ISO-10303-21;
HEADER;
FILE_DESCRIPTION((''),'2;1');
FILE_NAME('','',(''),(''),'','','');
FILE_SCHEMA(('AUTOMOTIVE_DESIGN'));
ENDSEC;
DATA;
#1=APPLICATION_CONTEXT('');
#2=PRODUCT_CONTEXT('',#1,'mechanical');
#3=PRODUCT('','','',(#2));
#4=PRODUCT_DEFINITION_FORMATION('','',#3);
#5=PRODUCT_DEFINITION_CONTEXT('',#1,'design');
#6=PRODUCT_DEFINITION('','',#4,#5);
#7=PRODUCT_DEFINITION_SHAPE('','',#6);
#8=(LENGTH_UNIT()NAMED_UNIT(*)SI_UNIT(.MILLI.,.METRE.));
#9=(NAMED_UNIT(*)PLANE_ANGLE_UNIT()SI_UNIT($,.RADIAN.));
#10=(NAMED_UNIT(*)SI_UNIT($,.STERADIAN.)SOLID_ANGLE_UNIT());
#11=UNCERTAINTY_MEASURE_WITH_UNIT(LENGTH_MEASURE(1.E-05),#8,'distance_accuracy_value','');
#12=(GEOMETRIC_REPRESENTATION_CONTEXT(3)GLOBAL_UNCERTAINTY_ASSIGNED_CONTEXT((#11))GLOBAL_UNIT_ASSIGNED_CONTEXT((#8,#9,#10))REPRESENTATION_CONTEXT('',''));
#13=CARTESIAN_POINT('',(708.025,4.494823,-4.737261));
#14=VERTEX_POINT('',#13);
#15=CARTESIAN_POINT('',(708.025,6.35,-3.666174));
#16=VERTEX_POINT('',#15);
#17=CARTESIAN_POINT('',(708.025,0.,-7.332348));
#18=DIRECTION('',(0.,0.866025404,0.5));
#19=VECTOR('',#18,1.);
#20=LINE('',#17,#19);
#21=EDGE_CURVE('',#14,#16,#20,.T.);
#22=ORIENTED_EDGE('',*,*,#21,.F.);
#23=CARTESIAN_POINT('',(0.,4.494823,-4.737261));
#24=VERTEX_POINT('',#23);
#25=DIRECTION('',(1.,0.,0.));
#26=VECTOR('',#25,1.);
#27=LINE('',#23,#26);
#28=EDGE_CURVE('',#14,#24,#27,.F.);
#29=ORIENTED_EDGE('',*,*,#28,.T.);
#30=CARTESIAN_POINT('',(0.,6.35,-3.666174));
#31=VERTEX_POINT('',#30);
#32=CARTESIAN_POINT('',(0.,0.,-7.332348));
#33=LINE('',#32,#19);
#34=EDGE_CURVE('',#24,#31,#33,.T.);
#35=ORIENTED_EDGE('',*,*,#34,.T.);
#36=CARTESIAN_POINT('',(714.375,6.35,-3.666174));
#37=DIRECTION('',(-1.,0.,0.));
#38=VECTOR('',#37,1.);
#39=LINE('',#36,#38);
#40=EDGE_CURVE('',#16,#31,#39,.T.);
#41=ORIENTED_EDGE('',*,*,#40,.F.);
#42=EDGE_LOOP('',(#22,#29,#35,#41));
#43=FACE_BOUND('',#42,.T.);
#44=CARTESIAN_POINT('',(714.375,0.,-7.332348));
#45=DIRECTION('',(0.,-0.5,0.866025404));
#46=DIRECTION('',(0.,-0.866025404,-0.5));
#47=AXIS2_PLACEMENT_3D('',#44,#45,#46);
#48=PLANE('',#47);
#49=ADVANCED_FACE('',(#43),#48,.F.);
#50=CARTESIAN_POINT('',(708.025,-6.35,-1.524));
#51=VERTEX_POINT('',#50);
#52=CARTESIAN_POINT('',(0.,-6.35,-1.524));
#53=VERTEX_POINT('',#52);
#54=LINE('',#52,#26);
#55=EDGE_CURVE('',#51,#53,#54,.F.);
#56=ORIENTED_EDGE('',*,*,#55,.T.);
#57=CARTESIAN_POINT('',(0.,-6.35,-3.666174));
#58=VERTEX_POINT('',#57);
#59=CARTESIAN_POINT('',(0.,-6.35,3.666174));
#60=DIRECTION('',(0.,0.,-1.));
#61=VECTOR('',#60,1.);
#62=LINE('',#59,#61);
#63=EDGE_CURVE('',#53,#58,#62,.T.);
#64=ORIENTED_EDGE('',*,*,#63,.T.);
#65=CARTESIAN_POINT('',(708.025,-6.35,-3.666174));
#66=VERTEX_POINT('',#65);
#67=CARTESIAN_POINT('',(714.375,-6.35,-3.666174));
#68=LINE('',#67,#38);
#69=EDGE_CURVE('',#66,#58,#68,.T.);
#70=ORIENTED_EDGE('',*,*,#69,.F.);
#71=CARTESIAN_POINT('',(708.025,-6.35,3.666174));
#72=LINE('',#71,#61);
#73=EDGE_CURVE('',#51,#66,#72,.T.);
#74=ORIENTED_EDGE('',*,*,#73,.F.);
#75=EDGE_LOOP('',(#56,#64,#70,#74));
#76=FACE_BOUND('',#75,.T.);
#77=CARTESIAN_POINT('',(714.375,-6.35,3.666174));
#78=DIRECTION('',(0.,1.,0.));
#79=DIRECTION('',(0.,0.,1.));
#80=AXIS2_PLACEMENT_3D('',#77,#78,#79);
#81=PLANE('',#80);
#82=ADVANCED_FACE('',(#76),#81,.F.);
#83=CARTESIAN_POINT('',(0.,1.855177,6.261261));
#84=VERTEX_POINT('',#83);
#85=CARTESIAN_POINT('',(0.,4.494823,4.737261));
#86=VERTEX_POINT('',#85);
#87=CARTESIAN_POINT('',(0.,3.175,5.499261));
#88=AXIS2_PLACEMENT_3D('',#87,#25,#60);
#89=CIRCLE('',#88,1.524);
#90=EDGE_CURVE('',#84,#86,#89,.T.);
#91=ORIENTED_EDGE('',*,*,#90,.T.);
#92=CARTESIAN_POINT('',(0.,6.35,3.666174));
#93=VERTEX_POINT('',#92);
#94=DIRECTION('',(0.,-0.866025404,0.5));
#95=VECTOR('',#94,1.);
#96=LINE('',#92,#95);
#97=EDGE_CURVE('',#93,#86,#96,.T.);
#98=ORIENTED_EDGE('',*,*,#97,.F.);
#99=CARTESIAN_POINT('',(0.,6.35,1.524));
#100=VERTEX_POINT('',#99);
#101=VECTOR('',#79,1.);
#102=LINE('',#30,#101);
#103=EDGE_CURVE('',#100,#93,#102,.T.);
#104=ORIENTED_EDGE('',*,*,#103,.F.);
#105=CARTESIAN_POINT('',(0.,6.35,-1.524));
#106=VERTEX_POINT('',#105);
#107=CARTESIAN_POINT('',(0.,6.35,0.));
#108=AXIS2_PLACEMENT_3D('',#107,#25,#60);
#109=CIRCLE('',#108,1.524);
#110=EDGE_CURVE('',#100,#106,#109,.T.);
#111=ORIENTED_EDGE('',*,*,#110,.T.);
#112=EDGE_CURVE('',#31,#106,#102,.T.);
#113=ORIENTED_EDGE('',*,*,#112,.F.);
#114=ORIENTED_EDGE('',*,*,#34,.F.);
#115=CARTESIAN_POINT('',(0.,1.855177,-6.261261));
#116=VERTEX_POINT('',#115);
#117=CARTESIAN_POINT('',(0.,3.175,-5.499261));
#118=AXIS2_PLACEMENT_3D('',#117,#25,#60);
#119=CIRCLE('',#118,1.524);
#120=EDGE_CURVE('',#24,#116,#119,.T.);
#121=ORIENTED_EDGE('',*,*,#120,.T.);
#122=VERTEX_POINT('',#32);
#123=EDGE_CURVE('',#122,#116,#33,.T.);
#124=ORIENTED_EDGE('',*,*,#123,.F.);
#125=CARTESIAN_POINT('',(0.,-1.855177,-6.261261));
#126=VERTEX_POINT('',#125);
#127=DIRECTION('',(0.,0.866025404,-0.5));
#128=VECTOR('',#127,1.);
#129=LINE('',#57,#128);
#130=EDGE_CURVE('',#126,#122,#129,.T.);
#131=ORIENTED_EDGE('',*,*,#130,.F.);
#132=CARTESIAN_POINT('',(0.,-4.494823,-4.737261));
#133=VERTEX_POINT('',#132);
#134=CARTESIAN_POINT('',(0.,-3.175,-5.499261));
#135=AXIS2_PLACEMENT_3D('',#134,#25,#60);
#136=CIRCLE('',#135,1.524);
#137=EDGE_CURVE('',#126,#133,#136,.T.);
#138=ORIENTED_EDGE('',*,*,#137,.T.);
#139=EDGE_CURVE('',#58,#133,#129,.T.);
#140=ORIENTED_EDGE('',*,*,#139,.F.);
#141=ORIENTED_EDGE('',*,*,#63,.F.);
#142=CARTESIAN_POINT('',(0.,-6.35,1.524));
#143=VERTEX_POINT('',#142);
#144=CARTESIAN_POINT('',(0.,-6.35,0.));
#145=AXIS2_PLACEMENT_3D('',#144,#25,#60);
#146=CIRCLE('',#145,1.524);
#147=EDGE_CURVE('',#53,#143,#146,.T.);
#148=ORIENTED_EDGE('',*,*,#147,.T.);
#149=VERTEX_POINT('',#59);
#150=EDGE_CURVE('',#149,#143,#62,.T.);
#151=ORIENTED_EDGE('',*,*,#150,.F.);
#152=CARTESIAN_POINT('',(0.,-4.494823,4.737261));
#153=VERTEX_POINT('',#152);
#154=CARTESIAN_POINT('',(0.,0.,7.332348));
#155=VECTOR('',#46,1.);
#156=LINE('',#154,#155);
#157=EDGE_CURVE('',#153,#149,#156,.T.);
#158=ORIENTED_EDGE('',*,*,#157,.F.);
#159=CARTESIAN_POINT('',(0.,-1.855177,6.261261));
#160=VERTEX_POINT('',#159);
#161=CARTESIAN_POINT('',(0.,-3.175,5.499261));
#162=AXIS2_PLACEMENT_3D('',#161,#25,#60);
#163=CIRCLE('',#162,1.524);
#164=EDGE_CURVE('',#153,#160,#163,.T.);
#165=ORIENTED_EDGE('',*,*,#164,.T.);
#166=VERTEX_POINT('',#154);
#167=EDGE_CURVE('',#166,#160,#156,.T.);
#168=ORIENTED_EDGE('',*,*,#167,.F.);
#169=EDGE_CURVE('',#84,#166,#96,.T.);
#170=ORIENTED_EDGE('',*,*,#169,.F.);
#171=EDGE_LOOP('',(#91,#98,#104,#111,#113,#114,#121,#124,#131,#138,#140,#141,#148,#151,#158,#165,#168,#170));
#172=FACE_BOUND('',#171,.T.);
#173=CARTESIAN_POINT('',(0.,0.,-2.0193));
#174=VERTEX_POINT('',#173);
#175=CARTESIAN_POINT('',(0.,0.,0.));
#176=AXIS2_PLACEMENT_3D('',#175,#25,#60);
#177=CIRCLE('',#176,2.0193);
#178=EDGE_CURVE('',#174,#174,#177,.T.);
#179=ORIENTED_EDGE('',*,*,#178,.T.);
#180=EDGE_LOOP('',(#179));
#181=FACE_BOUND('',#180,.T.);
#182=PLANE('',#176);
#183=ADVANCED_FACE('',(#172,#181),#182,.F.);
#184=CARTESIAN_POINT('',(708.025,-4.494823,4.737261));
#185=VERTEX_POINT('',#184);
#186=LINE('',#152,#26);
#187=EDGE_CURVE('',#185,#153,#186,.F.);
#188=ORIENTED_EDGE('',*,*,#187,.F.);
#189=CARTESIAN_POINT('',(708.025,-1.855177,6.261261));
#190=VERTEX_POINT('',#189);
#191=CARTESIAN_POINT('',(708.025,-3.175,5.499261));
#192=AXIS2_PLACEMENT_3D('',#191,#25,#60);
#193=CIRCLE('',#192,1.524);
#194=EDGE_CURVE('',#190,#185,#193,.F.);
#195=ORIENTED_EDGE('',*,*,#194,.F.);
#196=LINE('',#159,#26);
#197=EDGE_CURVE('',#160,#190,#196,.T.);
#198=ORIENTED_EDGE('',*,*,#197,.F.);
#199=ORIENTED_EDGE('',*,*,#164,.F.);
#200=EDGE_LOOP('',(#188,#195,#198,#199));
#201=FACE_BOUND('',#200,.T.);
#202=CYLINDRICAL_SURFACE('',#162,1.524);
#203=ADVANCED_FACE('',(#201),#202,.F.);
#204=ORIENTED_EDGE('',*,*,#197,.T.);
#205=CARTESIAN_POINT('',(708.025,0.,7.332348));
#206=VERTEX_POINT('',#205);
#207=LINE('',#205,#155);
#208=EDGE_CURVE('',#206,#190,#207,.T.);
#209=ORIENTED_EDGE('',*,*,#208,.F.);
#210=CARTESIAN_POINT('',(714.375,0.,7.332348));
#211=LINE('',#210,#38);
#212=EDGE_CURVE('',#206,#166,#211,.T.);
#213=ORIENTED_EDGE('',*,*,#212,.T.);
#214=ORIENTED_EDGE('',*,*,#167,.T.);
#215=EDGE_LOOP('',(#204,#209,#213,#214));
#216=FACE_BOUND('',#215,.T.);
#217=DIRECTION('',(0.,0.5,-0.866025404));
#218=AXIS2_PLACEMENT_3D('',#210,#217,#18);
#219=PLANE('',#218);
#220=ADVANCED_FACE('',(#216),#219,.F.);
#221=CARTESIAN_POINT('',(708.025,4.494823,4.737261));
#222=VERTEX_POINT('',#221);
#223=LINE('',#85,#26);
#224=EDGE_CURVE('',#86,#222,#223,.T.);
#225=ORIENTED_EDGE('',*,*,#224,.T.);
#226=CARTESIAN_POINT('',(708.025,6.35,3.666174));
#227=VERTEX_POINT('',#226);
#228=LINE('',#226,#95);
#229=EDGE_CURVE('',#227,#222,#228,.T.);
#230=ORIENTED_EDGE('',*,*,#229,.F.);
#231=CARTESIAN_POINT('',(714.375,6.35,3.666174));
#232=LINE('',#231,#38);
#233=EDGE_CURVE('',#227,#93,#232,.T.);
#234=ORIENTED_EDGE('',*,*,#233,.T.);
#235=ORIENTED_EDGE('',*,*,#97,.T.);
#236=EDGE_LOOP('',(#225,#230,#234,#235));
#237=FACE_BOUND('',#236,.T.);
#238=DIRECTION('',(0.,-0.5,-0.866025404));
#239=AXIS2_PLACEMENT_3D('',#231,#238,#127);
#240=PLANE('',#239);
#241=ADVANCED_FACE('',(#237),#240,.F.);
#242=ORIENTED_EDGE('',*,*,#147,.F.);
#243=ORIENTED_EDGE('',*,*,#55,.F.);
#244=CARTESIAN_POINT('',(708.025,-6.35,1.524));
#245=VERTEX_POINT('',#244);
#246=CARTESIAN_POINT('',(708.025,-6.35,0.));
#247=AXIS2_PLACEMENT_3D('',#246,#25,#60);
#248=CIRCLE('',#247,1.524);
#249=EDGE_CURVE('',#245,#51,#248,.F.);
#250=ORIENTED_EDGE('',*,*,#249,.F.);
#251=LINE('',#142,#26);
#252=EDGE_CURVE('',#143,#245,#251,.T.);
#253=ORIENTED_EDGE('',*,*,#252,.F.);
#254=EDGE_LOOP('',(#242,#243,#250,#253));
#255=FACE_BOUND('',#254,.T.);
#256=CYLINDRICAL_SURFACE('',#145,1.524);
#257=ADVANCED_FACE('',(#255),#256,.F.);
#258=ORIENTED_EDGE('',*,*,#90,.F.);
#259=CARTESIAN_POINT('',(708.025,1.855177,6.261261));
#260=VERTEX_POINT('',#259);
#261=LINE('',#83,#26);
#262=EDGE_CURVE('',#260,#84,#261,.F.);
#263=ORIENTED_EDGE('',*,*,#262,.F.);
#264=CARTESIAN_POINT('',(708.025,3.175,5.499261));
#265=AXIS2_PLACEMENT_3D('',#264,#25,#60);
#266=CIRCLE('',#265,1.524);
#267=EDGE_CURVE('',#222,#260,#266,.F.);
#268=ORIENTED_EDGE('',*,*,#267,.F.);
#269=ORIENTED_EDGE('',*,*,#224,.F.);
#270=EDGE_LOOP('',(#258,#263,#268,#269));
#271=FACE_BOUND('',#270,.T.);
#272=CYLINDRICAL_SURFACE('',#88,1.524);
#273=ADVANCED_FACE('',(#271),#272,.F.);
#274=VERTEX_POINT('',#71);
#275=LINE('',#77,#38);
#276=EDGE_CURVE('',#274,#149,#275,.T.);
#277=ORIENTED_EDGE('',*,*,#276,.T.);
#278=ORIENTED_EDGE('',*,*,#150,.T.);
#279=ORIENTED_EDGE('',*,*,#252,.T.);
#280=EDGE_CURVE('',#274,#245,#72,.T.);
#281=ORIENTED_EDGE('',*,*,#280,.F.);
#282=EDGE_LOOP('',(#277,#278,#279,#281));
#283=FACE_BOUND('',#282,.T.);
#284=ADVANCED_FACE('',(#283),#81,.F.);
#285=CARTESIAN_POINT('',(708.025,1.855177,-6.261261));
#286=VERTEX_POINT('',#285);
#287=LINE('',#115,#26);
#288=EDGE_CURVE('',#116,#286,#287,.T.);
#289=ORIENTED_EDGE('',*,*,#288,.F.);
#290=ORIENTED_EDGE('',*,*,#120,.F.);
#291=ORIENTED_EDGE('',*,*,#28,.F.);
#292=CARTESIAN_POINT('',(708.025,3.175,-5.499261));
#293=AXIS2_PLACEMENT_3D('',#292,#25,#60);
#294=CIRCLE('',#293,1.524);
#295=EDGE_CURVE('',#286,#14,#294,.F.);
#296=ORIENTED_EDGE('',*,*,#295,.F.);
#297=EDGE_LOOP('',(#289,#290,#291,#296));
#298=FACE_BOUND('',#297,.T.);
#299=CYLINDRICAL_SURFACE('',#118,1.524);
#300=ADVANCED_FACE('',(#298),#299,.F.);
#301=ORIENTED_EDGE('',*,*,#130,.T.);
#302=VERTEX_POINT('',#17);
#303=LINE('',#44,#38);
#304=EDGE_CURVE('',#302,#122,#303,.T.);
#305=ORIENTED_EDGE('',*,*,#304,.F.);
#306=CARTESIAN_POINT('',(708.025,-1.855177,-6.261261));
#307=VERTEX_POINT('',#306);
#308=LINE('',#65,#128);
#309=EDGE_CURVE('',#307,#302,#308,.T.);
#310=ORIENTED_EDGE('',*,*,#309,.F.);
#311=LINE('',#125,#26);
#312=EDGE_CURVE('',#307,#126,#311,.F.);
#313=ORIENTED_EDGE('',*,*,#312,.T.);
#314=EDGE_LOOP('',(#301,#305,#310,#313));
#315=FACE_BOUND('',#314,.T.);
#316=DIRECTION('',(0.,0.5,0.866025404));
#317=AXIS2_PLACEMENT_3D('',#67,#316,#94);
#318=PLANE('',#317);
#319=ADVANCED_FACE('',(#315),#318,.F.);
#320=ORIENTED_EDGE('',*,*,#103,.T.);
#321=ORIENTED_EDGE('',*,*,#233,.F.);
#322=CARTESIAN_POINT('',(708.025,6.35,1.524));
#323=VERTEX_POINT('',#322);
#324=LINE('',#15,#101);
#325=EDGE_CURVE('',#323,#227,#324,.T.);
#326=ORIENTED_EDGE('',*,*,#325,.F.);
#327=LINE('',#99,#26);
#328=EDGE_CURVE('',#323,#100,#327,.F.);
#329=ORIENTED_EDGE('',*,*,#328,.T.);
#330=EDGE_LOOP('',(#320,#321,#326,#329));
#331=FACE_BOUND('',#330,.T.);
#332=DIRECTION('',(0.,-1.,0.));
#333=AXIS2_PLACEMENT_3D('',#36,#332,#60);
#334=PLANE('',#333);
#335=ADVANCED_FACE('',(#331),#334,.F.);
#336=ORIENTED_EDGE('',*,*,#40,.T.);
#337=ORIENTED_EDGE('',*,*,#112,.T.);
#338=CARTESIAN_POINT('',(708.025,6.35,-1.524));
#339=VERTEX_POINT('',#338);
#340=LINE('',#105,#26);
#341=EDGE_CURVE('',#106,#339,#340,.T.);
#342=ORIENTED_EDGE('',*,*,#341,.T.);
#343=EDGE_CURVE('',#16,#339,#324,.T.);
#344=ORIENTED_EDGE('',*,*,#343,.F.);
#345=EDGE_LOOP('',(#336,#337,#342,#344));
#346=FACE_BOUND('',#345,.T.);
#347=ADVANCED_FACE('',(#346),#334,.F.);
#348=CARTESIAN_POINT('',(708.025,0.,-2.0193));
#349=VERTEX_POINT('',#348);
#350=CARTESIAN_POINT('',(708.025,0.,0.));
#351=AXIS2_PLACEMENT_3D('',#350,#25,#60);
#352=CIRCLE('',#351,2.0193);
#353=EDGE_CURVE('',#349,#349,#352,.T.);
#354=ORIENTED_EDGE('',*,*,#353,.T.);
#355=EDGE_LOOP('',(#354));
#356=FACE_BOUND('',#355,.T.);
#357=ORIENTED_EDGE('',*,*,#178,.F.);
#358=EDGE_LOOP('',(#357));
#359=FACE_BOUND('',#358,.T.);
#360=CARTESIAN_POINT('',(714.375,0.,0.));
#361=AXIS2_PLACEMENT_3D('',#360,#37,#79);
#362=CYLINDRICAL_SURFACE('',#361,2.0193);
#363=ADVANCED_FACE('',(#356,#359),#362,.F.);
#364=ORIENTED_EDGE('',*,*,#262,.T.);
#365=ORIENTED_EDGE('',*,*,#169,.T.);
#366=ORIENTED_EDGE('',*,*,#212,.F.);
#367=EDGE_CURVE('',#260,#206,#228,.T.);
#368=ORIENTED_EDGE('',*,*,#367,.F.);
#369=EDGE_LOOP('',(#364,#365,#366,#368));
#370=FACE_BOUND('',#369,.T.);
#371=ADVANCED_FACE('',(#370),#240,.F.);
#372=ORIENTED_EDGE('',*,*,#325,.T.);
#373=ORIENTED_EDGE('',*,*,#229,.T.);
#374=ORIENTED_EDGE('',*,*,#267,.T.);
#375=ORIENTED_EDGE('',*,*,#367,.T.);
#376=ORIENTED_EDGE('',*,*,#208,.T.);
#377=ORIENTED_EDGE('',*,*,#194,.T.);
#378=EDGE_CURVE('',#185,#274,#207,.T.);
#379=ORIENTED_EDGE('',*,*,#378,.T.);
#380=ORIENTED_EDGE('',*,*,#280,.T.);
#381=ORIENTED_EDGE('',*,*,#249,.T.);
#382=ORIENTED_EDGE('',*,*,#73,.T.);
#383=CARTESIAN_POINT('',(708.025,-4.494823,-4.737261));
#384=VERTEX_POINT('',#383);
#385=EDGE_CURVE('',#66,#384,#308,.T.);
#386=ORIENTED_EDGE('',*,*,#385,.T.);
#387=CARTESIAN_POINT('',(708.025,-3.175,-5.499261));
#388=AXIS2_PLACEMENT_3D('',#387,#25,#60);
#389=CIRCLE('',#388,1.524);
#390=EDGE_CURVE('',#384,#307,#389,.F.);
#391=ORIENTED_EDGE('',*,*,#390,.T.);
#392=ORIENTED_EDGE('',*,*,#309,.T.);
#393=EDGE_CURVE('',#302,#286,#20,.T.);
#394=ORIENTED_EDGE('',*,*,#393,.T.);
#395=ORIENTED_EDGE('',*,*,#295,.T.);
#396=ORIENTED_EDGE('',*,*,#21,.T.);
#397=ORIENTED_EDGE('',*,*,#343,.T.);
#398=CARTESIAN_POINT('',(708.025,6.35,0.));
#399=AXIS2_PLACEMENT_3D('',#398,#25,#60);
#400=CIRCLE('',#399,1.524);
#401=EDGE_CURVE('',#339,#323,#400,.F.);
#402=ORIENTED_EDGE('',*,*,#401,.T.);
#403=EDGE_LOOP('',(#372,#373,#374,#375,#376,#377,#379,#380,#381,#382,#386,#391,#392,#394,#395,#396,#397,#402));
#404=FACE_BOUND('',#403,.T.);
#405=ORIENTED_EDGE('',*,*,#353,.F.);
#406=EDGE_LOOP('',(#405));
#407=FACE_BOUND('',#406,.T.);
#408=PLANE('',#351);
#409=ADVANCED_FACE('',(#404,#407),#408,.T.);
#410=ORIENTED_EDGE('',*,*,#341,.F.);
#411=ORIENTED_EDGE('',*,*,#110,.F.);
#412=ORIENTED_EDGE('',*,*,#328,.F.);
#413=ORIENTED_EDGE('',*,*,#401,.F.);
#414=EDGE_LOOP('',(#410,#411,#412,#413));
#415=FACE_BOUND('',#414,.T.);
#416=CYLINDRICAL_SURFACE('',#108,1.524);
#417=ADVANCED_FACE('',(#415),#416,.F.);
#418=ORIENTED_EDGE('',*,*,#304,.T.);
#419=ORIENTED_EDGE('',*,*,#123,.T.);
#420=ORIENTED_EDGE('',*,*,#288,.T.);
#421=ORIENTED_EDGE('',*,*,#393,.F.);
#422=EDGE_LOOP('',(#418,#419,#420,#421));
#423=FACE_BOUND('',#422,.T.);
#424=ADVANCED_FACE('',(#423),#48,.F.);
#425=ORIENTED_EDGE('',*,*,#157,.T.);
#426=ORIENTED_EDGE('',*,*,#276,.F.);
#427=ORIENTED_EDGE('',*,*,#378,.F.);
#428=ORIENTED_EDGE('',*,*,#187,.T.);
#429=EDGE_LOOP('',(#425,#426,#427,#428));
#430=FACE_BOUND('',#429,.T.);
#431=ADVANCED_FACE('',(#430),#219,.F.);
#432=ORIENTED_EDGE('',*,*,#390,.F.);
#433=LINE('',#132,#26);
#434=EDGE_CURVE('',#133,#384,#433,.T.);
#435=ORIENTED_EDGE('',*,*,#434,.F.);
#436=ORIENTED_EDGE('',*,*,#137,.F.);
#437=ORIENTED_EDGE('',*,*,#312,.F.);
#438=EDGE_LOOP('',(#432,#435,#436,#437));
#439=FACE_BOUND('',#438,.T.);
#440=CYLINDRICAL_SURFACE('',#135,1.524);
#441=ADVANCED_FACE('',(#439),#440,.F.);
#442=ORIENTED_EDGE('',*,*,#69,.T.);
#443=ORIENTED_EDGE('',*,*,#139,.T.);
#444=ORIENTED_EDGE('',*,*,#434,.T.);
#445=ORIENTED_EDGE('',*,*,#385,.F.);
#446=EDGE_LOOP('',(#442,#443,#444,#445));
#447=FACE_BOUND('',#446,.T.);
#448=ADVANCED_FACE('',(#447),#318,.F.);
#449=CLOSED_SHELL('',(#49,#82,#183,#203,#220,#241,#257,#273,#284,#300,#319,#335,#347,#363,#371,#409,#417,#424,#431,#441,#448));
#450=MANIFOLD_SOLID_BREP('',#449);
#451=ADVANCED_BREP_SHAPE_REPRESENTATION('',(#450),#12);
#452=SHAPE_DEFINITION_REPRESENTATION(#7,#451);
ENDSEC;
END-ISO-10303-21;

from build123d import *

# Parameters (mm, degrees)
SKETCH1_R           = 2.0193
BOSS_EXTRUDE1_DEPTH = 714.375
SKETCH2_R           = 1.524
CUT_EXTRUDE1_DEPTH  = 715.440848817
SKETCH3_R           = 21.255995951
CUT_EXTRUDE2_DEPTH  = 6.35


with BuildPart() as part:
    # Sketch1 → Boss-Extrude1 (new body)
    with BuildSketch(Plane(origin=(0, 0, 0), x_dir=(0, 0, -1), z_dir=(1, 0, 0))):
        Polygon((7.332348419, 0), (3.666174209, 6.35), (-3.666174209, 6.35), (-7.332348419, 0), (-3.666174209, -6.35), (3.666174209, -6.35), align=None)
        Circle(SKETCH1_R, mode=Mode.SUBTRACT)
    extrude(amount=BOSS_EXTRUDE1_DEPTH)

    # Sketch2 → Cut-Extrude1 (cut, through all)
    with BuildSketch(Plane(origin=(714.375, 0, 0), x_dir=(0, 0, -1), z_dir=(1, 0, 0))):
        with Locations((0, 6.35)):
            Circle(SKETCH2_R)
        with Locations((5.499261314, 3.175)):
            Circle(SKETCH2_R)
        with Locations((5.499261314, -3.175)):
            Circle(SKETCH2_R)
        with Locations((0, -6.35)):
            Circle(SKETCH2_R)
        with Locations((-5.499261314, -3.175)):
            Circle(SKETCH2_R)
        with Locations((-5.499261314, 3.175)):
            Circle(SKETCH2_R)
    extrude(amount=-CUT_EXTRUDE1_DEPTH, mode=Mode.SUBTRACT)

    # Sketch3 → Cut-Extrude2 (cut)
    with BuildSketch(Plane(origin=(714.375, 0, 0), x_dir=(0, 0, -1), z_dir=(1, 0, 0))):
        Circle(SKETCH3_R)
    extrude(amount=-CUT_EXTRUDE2_DEPTH, mode=Mode.SUBTRACT)


solid = part.part
